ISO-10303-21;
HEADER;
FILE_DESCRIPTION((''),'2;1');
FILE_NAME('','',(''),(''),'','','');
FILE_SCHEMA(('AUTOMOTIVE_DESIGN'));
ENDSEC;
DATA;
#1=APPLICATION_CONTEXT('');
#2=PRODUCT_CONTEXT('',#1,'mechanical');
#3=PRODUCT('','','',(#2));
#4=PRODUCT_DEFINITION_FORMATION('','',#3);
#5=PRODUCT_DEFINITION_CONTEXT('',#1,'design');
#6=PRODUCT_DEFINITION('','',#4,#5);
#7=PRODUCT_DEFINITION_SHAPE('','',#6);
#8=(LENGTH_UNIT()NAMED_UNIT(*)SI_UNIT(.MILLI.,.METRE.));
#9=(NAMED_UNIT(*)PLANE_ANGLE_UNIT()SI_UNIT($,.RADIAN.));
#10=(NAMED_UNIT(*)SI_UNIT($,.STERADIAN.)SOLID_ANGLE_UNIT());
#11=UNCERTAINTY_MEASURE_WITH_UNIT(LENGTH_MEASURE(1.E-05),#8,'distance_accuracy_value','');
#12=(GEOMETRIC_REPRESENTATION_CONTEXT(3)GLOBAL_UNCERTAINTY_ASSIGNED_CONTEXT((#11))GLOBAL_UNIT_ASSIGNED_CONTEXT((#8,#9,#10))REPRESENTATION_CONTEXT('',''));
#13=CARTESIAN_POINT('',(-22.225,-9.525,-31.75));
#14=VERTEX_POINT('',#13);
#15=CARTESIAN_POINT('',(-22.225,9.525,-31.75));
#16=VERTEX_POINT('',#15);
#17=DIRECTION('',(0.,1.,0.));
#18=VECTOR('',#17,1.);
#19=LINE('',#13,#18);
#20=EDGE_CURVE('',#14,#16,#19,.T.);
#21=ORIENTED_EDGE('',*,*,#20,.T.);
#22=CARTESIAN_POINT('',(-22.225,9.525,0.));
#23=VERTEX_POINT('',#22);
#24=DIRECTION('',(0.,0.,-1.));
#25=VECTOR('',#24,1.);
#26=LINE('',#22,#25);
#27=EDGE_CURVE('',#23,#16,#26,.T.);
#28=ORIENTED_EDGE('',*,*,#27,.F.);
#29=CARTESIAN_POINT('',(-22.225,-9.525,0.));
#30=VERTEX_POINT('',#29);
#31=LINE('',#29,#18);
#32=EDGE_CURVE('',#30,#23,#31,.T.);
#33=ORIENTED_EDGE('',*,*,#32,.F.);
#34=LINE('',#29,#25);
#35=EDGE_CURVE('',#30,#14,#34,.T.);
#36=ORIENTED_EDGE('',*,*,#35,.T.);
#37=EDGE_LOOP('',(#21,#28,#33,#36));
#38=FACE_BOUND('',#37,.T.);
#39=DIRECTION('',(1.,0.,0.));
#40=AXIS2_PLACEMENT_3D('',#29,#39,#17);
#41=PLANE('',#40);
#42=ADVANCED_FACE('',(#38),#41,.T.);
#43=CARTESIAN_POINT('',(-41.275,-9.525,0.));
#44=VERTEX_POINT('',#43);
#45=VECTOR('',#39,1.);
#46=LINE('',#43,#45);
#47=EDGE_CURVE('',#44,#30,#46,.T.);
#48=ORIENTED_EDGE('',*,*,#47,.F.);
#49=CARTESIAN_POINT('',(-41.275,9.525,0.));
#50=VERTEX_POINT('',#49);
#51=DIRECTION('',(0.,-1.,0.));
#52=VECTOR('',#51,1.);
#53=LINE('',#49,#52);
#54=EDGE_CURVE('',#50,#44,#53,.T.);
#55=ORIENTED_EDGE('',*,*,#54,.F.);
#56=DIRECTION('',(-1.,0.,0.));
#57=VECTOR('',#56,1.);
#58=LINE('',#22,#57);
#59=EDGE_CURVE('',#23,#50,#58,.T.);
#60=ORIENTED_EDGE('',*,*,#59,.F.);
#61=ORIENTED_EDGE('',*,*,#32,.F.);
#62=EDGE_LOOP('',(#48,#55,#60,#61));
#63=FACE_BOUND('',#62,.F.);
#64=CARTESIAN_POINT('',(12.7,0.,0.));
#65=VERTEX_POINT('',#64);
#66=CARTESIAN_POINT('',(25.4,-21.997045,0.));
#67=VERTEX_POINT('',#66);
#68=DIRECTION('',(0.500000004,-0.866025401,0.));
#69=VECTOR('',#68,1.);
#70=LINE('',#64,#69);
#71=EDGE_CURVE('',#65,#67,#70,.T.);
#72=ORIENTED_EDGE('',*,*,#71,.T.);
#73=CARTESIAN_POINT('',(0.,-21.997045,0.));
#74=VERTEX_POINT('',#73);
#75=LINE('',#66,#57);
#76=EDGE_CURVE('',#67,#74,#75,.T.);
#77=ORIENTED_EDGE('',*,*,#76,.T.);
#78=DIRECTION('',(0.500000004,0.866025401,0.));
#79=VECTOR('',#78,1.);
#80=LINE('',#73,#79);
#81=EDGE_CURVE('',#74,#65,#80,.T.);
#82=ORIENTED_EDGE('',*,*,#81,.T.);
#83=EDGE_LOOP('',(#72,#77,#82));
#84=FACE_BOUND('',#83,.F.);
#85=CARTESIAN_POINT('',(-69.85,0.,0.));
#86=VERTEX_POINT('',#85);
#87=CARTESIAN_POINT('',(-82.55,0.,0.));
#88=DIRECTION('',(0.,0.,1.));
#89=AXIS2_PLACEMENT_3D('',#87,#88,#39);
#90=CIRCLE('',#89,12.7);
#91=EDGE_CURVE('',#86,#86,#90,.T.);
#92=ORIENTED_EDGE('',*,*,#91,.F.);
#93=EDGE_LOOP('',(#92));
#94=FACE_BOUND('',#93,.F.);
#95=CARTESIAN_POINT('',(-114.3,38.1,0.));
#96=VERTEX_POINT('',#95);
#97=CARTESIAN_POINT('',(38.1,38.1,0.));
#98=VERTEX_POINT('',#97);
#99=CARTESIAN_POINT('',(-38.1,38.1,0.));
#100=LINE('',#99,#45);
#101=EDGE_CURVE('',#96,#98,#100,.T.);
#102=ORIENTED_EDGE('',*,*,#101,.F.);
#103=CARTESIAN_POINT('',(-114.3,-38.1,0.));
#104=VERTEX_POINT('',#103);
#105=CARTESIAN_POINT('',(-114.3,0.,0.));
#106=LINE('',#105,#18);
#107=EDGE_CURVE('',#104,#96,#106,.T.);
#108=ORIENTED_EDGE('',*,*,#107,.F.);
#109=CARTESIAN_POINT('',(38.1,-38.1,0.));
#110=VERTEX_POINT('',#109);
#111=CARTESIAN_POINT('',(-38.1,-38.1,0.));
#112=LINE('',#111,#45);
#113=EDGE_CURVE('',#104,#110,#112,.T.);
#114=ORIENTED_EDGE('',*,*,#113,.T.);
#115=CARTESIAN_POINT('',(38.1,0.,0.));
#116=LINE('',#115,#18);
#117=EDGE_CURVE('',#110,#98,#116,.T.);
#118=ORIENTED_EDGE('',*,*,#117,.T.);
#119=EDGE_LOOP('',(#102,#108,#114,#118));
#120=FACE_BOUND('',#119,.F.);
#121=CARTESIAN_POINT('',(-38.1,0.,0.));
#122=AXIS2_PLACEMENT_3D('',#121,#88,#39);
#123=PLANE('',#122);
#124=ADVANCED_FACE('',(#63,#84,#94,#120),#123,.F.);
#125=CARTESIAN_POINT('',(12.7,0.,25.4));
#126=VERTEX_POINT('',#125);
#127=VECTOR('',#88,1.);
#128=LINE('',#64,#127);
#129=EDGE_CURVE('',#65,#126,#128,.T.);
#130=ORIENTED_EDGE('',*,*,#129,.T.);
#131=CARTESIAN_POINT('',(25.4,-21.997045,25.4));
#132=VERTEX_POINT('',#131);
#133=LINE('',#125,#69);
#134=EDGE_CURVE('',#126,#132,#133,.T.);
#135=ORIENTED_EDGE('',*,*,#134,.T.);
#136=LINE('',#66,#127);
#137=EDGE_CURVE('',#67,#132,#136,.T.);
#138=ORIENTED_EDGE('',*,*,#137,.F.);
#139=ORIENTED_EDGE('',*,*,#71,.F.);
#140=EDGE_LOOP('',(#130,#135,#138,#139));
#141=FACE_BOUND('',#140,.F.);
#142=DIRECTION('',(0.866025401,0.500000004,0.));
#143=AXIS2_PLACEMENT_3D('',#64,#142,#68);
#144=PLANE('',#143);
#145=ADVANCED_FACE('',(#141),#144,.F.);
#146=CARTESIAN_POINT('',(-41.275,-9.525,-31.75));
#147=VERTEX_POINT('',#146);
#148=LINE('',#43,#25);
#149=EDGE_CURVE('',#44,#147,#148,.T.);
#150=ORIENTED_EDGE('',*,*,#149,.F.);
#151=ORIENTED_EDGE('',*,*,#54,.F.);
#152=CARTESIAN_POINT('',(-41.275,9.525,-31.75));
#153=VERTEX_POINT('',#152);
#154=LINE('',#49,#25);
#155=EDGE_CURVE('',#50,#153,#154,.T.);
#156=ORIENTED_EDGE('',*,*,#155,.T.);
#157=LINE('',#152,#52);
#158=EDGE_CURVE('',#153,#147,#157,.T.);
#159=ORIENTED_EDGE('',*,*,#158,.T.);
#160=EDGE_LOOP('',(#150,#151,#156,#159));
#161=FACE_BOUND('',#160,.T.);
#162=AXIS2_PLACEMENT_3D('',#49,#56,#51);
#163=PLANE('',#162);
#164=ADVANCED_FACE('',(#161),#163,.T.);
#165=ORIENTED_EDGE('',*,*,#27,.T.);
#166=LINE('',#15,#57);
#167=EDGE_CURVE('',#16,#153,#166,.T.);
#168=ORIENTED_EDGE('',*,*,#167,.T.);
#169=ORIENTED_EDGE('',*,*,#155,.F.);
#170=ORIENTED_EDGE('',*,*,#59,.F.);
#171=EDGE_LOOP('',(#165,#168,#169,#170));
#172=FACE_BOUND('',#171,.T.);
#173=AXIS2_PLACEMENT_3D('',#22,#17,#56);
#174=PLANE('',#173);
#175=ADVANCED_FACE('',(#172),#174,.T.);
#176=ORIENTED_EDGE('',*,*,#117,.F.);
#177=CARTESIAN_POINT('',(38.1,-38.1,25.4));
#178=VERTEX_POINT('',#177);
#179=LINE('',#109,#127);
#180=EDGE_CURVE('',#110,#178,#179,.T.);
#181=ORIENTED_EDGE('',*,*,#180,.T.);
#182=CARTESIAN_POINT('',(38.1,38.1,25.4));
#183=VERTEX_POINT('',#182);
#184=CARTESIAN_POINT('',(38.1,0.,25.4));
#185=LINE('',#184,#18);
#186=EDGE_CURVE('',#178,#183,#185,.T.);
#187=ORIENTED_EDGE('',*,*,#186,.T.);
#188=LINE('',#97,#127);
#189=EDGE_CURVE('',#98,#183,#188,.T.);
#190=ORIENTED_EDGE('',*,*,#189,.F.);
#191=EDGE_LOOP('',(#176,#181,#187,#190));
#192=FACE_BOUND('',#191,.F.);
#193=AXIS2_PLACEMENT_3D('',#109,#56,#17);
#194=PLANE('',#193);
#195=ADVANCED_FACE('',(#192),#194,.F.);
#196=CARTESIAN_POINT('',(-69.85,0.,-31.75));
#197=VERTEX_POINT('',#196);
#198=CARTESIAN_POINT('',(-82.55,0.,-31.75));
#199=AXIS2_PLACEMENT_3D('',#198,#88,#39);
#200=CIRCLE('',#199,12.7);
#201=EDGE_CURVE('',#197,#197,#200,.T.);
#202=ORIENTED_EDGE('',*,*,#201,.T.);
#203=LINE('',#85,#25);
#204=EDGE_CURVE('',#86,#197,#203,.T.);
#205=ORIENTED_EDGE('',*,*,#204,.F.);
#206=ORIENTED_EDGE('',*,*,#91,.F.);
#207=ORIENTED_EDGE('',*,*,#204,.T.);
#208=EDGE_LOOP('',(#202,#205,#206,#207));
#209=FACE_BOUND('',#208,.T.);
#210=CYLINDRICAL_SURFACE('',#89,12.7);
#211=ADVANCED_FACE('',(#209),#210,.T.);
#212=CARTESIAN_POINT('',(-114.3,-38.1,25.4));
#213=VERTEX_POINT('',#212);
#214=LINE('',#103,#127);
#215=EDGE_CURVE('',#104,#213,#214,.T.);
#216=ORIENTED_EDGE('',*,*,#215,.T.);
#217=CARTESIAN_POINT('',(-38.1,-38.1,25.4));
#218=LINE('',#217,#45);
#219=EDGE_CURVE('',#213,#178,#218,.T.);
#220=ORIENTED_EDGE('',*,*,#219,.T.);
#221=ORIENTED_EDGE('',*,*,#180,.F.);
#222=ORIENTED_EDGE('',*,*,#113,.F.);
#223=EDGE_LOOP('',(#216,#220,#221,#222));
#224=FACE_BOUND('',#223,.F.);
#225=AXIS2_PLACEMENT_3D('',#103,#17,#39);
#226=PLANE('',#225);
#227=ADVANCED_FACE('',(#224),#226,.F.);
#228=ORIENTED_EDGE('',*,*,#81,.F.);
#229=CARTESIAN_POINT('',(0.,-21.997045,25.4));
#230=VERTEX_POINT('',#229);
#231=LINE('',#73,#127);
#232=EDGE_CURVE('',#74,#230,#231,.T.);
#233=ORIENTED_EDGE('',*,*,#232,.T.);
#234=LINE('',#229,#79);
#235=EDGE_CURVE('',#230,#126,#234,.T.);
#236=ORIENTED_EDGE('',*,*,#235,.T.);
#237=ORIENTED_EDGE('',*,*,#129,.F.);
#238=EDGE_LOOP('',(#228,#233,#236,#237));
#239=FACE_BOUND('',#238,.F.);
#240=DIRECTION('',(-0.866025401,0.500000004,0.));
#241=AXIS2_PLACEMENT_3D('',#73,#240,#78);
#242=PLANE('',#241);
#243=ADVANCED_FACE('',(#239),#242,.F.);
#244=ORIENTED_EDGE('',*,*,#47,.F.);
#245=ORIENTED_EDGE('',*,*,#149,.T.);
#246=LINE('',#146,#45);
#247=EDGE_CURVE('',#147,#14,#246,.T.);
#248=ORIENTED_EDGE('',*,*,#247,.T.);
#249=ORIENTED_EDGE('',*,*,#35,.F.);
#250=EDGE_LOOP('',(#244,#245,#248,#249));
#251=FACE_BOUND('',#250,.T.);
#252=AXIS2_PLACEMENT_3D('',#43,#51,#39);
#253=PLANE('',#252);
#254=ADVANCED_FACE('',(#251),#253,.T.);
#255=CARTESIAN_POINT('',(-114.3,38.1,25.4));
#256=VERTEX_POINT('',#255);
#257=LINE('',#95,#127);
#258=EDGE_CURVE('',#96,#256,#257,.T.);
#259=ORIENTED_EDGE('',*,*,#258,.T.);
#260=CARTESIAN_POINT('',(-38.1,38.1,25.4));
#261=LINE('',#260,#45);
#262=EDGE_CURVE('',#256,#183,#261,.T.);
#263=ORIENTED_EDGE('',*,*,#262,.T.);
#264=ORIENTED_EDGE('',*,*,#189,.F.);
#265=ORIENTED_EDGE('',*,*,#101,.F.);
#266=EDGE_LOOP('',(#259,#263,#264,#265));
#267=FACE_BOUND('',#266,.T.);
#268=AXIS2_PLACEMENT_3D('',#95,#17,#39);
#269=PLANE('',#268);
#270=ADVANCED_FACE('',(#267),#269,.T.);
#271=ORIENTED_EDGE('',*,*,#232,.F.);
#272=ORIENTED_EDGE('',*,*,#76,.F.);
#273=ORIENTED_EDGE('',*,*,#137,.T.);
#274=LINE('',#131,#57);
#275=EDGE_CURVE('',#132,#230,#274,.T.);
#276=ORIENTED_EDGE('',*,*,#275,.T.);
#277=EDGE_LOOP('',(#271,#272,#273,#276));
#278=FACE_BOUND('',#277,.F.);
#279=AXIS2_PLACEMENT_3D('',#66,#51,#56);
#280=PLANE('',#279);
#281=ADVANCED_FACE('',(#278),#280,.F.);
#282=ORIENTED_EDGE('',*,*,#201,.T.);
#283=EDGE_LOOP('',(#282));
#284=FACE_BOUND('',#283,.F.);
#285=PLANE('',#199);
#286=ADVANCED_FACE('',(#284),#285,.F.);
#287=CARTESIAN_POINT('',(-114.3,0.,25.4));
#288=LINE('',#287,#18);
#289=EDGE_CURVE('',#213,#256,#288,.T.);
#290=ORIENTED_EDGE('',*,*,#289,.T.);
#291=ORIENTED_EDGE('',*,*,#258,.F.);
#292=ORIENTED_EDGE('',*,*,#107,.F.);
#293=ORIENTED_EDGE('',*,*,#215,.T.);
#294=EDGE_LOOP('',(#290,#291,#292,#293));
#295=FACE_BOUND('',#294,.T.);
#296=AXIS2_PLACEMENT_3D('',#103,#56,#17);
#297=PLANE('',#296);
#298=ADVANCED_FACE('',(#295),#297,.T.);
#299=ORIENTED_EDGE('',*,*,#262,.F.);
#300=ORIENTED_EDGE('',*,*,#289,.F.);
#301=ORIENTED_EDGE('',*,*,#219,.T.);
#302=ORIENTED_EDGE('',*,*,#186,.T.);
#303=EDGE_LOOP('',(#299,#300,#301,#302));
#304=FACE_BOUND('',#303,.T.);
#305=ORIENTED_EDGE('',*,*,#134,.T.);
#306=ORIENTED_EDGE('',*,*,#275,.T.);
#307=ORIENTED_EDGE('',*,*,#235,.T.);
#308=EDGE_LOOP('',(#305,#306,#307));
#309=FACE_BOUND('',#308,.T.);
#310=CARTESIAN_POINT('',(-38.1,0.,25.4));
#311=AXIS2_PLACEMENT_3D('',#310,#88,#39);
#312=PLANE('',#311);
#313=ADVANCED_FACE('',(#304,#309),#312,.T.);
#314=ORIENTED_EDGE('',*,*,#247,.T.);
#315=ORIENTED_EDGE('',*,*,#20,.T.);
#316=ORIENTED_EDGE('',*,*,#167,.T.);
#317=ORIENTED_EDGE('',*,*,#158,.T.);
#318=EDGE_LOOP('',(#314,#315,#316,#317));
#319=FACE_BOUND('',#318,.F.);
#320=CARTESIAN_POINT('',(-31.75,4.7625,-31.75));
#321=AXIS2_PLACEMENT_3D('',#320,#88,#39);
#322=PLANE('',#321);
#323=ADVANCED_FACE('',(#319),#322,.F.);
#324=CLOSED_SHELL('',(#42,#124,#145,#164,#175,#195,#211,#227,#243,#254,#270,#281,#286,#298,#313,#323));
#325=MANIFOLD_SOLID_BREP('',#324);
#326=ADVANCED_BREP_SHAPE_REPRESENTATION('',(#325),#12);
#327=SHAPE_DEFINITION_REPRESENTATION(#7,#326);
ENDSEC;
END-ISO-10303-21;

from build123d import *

# Parameters (mm, degrees)
F0_W     = 152.4
F0_H     = 76.2
F0_R     = 12.7
F1_DEPTH = 25.4
F2_DEPTH = 31.75


with BuildPart() as f1:
    # F0 (on Top) → F1 (new body)
    with BuildSketch(Plane.XY):
        with Locations((-38.1, 0)):
            Rectangle(F0_W, F0_H)
        Polygon((0, -21.997045), (12.7, 0), (25.4, -21.997045), align=None, mode=Mode.SUBTRACT)
        with Locations((-82.55, 0)):
            Circle(F0_R, mode=Mode.SUBTRACT)
        Polygon((-22.225, 9.525), (-22.225, 0), (-22.225, -9.525), (-41.275, -9.525), (-41.275, 0), (-41.275, 9.525), align=None, mode=Mode.SUBTRACT)
        with Locations((-82.55, 0)):
            Circle(F0_R)
        Polygon((-31.75, 0), (-22.225, 0), (-22.225, 9.525), (-41.275, 9.525), (-41.275, 0), align=None)
        Polygon((-22.225, -9.525), (-22.225, 0), (-31.75, 0), (-41.275, 0), (-41.275, -9.525), align=None)
    extrude(amount=F1_DEPTH)

    # F0 (on Top) → F2 (join)
    with BuildSketch(Plane.XY):
        with Locations((-82.55, 0)):
            Circle(F0_R)
        Polygon((-31.75, 0), (-22.225, 0), (-22.225, 9.525), (-41.275, 9.525), (-41.275, 0), align=None)
        Polygon((-22.225, -9.525), (-22.225, 0), (-31.75, 0), (-41.275, 0), (-41.275, -9.525), align=None)
    extrude(amount=-F2_DEPTH)


solid = f1.part
